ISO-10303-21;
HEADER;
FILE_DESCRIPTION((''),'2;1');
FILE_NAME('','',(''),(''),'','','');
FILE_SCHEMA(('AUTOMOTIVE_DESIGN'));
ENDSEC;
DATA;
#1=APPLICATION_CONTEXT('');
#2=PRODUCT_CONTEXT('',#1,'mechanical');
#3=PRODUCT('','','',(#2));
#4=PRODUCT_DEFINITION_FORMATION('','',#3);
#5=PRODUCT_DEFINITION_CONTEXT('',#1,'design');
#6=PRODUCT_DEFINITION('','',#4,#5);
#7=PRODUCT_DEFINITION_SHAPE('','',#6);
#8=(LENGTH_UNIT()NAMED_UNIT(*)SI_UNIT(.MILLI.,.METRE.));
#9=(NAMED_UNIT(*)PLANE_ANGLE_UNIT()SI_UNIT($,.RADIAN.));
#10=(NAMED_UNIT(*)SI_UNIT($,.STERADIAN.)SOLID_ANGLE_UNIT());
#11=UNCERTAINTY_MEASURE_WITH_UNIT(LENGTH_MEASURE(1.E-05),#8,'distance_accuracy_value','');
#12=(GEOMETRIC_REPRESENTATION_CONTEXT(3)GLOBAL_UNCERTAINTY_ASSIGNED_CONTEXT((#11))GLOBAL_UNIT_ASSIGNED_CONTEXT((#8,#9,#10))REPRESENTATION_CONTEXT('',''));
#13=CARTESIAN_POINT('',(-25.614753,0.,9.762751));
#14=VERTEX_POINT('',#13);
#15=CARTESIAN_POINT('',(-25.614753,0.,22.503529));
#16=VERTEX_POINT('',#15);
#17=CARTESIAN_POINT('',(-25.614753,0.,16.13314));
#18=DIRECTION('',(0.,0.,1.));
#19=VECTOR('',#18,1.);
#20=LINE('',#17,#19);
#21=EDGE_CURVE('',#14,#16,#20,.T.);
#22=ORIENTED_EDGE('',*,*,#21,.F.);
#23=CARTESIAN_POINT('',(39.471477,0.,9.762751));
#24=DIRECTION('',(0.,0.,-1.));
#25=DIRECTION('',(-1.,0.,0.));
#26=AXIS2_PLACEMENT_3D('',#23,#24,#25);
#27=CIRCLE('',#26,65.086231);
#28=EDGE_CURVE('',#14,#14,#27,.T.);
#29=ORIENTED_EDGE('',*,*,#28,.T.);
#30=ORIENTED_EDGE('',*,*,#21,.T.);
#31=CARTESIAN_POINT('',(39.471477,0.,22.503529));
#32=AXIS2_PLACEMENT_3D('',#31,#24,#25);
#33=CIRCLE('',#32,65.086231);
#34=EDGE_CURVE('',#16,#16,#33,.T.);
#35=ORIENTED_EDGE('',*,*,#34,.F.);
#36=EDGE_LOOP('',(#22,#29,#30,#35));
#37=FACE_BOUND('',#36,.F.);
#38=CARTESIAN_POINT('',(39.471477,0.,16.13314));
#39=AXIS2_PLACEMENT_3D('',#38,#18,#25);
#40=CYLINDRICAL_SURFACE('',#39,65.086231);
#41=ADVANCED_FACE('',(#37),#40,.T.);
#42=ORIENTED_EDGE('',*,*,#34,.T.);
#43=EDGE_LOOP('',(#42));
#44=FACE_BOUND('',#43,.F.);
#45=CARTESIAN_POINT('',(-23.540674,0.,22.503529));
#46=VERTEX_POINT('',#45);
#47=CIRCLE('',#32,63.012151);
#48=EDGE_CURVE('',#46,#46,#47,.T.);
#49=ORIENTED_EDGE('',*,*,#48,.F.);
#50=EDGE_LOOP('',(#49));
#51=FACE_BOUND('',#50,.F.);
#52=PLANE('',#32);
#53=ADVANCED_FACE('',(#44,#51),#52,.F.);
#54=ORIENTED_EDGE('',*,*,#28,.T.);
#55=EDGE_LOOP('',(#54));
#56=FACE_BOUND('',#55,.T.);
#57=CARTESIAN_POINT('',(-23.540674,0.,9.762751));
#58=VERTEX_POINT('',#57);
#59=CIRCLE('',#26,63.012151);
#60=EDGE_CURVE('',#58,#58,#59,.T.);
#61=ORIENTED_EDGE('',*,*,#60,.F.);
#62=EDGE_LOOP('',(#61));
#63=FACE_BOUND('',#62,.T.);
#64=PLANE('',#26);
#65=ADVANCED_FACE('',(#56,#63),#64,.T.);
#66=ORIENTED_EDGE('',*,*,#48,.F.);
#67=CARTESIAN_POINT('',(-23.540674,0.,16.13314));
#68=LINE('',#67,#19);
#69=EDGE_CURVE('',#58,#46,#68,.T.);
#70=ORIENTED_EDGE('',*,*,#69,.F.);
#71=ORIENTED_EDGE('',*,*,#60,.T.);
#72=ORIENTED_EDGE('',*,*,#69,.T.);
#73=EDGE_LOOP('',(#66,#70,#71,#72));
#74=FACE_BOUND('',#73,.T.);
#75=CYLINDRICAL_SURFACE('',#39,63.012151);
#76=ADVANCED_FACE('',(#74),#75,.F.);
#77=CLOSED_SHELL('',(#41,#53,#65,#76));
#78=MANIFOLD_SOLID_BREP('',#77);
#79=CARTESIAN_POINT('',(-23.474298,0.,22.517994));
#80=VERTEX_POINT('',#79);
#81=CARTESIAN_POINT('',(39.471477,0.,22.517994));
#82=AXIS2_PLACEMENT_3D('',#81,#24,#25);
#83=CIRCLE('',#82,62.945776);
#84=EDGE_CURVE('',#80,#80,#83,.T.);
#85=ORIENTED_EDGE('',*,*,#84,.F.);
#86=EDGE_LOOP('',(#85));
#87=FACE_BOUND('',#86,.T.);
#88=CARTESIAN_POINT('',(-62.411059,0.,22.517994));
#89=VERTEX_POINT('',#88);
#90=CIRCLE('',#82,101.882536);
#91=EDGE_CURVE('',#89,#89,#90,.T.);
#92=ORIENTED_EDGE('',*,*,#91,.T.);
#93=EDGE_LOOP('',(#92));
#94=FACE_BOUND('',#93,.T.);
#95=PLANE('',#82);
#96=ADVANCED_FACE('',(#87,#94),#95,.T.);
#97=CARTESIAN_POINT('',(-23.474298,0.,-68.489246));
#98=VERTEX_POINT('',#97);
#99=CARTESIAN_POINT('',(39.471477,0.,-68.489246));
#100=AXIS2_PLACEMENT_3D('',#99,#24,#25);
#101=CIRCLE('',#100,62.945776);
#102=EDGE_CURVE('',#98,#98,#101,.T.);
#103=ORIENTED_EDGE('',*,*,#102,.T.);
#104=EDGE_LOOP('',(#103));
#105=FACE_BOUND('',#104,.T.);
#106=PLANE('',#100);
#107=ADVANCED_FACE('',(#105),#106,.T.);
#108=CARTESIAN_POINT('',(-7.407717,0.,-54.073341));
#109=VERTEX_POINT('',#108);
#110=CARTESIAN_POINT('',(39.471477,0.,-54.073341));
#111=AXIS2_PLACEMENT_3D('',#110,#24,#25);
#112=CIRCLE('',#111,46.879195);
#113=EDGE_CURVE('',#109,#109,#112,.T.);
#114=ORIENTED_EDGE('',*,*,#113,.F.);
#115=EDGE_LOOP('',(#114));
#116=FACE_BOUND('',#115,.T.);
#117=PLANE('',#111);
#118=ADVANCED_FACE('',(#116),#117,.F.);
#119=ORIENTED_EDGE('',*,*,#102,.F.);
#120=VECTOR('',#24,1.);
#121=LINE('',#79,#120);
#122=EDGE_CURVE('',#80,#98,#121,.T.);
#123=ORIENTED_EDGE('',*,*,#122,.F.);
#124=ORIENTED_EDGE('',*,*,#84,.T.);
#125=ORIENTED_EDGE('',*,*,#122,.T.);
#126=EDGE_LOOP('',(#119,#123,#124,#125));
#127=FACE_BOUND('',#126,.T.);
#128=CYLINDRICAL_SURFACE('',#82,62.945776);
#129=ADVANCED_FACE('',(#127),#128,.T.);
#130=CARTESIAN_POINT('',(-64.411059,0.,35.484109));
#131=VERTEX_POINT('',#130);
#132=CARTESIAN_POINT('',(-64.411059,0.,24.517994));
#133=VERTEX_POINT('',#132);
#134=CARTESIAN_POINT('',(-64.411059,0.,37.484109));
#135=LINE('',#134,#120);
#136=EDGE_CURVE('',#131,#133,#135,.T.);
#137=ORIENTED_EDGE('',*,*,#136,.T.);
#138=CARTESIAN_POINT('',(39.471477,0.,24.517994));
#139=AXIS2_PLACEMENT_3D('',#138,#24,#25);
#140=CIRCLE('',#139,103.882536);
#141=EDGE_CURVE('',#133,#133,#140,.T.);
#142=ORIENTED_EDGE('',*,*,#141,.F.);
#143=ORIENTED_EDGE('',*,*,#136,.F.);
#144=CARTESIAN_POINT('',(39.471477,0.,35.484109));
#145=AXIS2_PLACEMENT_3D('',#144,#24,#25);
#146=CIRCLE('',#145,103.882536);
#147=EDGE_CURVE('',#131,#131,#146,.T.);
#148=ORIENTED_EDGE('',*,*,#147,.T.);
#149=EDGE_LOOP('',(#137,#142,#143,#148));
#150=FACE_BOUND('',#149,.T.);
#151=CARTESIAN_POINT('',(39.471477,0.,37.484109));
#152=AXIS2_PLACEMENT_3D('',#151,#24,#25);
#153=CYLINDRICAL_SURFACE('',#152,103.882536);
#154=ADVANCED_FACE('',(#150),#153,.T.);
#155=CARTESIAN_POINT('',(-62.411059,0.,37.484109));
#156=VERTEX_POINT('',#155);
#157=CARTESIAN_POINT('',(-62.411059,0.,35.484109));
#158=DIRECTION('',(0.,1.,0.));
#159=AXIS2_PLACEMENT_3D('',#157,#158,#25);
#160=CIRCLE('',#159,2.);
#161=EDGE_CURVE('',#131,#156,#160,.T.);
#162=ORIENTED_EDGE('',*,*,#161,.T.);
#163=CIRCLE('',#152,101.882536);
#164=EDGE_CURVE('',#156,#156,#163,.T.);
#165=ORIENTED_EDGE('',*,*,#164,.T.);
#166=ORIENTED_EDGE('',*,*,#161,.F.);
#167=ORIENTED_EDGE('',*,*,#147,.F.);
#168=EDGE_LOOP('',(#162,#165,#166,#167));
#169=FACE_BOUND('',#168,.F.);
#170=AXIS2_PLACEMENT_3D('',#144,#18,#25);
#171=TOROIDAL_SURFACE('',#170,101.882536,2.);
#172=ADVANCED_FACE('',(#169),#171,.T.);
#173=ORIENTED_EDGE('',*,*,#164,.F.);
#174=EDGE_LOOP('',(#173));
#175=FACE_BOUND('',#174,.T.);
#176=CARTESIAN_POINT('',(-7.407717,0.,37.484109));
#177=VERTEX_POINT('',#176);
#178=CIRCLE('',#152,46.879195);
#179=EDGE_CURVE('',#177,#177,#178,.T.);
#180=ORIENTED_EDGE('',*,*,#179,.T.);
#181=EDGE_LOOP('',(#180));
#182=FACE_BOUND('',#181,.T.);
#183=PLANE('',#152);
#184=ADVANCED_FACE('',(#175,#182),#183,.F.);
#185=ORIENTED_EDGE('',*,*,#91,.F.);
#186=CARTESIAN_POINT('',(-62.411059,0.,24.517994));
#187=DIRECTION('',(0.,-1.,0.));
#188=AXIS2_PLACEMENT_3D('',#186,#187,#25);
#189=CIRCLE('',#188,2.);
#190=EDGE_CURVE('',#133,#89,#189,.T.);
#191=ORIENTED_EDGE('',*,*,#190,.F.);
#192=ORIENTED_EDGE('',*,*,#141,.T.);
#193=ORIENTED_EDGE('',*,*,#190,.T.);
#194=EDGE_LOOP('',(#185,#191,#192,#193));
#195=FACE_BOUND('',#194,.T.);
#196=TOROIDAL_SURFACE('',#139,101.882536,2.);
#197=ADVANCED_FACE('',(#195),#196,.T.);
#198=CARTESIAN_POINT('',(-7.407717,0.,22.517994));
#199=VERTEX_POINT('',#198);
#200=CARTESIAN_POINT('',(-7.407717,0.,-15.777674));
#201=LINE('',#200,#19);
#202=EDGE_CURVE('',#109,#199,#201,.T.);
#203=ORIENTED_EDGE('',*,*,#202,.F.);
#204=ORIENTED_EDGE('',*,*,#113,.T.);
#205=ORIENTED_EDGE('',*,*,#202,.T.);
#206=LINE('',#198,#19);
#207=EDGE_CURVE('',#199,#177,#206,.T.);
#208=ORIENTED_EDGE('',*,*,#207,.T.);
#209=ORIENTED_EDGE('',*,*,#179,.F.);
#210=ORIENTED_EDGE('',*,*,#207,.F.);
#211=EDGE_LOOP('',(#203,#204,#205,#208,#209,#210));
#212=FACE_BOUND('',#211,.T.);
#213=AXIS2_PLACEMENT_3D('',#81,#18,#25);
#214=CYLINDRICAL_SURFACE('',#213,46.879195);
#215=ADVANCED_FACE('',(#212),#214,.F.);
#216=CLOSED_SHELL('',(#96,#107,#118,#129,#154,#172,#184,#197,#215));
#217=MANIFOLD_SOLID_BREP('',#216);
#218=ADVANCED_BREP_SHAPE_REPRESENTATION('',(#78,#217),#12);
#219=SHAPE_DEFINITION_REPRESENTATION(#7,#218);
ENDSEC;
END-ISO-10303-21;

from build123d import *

# Parameters (mm, degrees)
F0_W = 16.0665810108
F0_H = 76.591335237
F1_W = 2.0740795881
F1_H = 12.7407778054
F3_R = 2
F4_R = 2


with BuildPart() as f2:
    # F0 (on Front) → F2 (revolve)
    with BuildSketch(Plane.XZ):
        Polygon((-23.4742984176, 22.5179940462), (-7.4077174067, 22.5179940462), (-7.4077174067, 37.4841094017), (-64.4110590219, 37.4841094017), (-64.4110590219, 22.5179940462), align=None)
        with Locations((-15.4410079122, -15.7776735723)):
            Rectangle(F0_W, F0_H)
        Polygon((39.4714772701, -54.0733411908), (-7.4077174067, -54.0733411908), (-23.4742984176, -54.0733411908), (-23.4742984176, -68.4892460704), (39.4714772701, -68.4892460704), align=None)
    revolve(axis=Axis((39.4714772701, 0, -61.2812936306), (0, 0, -1)))

    # F3
    f3_edges = [f2.edges().sort_by_distance(p)[0] for p in [
        (143.354014, 0, 22.517994),
    ]]
    fillet(f3_edges, radius=F3_R)

    # F4
    f4_edges = [f2.edges().sort_by_distance(p)[0] for p in [
        (143.354014, 0, 37.484109),
    ]]
    fillet(f4_edges, radius=F4_R)


with BuildPart() as f2b:
    # F1 (on Front) → F2, piece 2 (revolve)
    with BuildSketch(Plane.XZ):
        with Locations((-24.5777135715, 16.1331398413)):
            Rectangle(F1_W, F1_H)
    revolve(axis=Axis((39.4714772701, 0, -61.2812936306), (0, 0, -1)))


solid = Compound([f2.part, f2b.part])
